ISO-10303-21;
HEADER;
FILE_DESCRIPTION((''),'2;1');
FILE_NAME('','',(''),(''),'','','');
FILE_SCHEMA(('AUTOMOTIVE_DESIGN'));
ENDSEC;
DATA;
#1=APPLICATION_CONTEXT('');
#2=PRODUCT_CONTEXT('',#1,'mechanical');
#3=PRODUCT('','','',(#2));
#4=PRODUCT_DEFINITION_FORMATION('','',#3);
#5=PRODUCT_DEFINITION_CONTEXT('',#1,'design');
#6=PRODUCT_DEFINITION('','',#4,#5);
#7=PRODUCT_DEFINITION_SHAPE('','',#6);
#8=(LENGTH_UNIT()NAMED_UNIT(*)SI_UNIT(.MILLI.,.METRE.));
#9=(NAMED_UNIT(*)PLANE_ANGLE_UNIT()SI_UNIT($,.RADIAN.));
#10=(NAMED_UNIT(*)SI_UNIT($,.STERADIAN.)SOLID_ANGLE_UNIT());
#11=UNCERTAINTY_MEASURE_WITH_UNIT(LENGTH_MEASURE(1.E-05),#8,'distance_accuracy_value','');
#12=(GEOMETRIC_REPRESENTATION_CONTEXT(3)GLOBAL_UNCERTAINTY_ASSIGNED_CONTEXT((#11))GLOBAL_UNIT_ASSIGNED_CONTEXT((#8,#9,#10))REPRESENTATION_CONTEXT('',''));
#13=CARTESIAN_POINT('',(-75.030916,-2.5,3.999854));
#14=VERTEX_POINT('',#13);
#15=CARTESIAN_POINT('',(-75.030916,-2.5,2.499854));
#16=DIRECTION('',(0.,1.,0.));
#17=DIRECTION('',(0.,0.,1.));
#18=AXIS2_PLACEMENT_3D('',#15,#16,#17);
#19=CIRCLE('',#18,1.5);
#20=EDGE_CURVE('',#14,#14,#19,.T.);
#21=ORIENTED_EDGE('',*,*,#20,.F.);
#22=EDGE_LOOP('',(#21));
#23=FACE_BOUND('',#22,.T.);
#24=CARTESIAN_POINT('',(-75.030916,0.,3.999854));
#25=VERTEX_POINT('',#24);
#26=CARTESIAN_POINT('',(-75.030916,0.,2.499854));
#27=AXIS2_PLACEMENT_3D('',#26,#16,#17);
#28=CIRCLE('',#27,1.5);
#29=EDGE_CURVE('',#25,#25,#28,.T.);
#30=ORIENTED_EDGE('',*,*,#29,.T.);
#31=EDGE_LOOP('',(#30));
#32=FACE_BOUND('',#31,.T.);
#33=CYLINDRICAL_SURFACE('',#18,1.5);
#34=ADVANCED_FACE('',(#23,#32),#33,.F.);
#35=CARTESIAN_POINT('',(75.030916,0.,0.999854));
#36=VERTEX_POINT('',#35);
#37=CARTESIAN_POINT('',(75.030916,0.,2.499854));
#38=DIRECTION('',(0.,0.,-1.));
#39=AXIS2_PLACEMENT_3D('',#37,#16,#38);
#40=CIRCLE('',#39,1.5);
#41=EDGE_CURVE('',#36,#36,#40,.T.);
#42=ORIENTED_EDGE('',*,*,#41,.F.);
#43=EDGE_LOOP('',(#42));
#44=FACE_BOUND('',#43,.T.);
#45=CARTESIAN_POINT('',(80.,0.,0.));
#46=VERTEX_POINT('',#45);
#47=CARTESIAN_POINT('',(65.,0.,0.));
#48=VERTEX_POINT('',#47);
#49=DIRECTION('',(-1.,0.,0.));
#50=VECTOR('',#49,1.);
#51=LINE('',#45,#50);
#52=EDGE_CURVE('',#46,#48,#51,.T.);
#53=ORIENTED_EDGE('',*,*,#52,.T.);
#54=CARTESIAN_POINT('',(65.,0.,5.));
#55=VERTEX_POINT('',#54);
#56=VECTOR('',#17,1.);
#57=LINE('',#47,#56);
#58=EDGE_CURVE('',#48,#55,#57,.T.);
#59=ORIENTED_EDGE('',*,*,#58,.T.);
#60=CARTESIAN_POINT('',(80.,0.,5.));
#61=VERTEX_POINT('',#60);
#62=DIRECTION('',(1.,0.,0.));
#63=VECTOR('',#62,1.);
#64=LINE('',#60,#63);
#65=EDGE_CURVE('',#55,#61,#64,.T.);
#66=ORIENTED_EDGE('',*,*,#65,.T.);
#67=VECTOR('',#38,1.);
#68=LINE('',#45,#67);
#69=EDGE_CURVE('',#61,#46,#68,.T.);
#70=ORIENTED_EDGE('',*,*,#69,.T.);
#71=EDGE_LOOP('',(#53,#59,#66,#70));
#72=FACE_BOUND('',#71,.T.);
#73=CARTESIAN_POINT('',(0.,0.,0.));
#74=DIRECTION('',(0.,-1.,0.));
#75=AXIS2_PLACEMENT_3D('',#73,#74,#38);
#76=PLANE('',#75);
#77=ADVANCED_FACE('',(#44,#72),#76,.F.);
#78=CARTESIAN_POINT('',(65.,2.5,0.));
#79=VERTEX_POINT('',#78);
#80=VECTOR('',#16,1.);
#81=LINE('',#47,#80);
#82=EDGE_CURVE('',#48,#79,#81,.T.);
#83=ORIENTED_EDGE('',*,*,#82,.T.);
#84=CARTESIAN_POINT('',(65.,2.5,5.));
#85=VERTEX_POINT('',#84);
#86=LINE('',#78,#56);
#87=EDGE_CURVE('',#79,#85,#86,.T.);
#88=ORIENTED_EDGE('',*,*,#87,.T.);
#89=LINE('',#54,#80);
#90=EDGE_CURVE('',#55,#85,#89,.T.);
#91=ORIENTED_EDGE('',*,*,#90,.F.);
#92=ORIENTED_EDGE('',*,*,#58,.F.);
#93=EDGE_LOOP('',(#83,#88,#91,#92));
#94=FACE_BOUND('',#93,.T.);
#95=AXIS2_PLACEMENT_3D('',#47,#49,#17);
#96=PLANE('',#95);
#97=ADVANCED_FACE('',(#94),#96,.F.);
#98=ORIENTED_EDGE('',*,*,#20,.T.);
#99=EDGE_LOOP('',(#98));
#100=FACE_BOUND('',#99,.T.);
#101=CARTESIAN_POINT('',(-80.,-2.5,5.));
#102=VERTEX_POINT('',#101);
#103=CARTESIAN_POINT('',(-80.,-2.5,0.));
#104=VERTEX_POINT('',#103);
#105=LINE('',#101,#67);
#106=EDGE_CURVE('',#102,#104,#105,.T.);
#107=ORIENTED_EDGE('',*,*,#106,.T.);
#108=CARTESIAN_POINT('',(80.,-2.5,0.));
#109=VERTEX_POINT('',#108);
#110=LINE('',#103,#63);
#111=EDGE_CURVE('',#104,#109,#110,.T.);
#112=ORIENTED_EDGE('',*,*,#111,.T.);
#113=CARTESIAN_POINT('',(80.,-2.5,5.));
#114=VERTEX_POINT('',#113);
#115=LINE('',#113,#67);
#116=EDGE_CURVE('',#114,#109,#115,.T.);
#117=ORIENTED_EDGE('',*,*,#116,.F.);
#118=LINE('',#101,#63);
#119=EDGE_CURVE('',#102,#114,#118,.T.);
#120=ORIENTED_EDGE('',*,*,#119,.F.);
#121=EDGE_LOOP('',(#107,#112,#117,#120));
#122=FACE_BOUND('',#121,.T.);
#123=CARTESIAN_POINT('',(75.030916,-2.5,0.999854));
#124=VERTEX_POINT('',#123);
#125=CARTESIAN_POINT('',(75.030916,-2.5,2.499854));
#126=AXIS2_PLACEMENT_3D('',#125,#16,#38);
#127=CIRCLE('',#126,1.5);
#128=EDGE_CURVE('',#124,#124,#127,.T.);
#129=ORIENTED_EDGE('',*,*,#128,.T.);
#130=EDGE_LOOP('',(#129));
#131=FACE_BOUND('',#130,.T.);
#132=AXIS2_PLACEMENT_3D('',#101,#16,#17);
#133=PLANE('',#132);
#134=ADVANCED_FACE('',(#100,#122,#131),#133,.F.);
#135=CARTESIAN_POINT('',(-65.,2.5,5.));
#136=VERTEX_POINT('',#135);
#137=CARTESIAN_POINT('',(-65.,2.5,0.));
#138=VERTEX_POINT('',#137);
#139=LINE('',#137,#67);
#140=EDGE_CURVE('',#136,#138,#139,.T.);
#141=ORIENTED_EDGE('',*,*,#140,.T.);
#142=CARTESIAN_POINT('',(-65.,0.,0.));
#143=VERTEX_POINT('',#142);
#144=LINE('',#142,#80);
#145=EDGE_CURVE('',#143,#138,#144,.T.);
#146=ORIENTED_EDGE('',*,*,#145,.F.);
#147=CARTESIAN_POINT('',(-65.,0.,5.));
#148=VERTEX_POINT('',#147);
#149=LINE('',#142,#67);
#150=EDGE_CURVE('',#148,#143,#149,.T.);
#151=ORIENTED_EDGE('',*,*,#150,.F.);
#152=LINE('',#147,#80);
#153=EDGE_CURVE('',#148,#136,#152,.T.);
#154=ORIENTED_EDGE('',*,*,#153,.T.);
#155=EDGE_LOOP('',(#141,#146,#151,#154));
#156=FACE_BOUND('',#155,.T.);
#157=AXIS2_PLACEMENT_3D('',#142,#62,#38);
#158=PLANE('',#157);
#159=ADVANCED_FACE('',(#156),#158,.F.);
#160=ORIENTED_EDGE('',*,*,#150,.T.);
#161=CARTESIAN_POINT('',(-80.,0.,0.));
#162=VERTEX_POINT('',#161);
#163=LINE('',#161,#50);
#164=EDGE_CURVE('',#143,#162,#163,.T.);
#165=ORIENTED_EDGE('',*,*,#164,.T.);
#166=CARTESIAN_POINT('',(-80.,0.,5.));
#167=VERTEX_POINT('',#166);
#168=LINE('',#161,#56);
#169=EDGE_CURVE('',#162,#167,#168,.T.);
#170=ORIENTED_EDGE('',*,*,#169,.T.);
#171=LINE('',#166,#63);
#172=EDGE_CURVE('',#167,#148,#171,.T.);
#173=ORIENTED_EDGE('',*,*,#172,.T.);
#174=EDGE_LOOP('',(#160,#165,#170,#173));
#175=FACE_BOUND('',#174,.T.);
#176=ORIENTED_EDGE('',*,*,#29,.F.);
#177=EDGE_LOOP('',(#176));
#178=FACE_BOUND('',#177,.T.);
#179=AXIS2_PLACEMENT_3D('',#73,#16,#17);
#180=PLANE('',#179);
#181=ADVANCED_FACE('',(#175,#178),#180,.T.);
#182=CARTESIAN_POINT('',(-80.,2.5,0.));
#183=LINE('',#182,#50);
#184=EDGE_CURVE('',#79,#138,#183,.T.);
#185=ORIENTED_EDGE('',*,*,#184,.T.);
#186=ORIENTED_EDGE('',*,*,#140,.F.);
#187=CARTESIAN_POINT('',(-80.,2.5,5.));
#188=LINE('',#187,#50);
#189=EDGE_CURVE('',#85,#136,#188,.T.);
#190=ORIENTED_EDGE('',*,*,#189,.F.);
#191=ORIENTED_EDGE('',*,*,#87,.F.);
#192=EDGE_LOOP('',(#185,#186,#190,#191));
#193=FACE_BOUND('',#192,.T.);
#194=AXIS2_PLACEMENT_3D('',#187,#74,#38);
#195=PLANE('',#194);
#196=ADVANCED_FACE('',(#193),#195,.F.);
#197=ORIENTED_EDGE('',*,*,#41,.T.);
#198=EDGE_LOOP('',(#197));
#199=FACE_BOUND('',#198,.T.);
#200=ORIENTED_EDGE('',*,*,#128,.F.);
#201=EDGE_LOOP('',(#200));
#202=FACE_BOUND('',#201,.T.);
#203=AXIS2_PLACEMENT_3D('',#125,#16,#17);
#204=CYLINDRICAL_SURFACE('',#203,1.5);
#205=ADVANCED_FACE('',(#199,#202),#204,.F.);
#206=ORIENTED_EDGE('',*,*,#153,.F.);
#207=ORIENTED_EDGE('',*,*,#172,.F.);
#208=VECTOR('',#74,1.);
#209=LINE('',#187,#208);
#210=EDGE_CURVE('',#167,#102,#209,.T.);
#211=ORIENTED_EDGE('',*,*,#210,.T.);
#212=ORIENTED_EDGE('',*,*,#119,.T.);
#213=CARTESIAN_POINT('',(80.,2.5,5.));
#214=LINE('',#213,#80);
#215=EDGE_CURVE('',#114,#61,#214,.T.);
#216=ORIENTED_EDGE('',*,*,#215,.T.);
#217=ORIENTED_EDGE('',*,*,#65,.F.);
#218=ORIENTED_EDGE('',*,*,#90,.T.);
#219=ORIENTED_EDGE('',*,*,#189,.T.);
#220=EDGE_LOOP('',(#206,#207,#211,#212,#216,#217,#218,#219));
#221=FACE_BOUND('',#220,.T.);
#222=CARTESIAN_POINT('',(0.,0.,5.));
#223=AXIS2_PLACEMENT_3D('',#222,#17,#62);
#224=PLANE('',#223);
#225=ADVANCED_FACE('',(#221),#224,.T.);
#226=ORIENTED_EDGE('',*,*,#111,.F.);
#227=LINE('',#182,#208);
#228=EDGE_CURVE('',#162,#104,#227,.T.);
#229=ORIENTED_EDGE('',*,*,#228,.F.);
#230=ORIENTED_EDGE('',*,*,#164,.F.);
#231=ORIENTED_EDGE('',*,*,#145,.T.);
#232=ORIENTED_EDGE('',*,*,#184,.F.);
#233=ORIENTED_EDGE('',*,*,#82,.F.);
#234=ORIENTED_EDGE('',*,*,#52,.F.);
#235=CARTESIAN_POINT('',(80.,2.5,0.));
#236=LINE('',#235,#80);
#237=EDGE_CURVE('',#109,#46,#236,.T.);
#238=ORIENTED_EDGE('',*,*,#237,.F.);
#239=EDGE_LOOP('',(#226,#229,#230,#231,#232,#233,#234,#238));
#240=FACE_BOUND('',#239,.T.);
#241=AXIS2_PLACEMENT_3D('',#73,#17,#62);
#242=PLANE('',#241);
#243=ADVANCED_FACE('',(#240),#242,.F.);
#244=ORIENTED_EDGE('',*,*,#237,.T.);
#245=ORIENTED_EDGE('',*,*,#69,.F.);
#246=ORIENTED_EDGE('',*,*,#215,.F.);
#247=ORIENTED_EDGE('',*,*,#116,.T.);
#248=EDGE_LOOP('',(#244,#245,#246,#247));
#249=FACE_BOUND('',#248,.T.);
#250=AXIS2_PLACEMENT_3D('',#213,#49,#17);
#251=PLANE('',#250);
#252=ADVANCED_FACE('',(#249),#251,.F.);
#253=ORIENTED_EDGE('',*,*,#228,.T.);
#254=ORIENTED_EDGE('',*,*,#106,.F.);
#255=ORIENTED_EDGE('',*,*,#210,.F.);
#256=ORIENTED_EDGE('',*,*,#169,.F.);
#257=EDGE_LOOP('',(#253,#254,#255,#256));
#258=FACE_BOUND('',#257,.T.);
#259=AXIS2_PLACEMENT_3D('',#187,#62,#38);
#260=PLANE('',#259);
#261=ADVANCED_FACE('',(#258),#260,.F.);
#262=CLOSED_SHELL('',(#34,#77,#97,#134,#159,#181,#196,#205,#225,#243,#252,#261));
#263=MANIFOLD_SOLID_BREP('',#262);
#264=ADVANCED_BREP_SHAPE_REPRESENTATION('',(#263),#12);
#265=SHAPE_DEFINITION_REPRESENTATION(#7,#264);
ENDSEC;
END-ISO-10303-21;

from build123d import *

# Parameters (mm, degrees)
SKETCH1_W           = 160
SKETCH1_H           = 5
BOSS_EXTRUDE1_DEPTH = 5
SKETCH2_W           = 15
SKETCH2_H           = 5
CUT_EXTRUDE1_DEPTH  = 2.5
SKETCH3_R           = 1.5
CUT_EXTRUDE2_DEPTH  = 2.5


with BuildPart() as part:
    # Sketch1 → Boss-Extrude1 (new body)
    with BuildSketch(Plane.XY):
        Rectangle(SKETCH1_W, SKETCH1_H)
    extrude(amount=BOSS_EXTRUDE1_DEPTH)

    # Sketch2 → Cut-Extrude1 (cut)
    with BuildSketch(Plane(origin=(0, 2.5, 0), x_dir=(1, 0, 0), z_dir=(0, 1, 0))):
        with Locations((-72.5, -2.5)):
            Rectangle(SKETCH2_W, SKETCH2_H)
        with Locations((72.5, -2.5)):
            Rectangle(SKETCH2_W, SKETCH2_H)
    extrude(amount=-CUT_EXTRUDE1_DEPTH, mode=Mode.SUBTRACT)

    # Sketch3 → Cut-Extrude2 (cut)
    with BuildSketch(Plane(origin=(0, 0, 0), x_dir=(1, 0, 0), z_dir=(0, 1, 0))):
        with Locations(Location((-75.030916446, -2.499854379, 0), (0, 0, 270))):
            Circle(SKETCH3_R)
        with Locations(Location((75.030916446, -2.499854379, 0), (0, 0, 90))):
            Circle(SKETCH3_R)
    extrude(amount=-CUT_EXTRUDE2_DEPTH, mode=Mode.SUBTRACT)


solid = part.part
